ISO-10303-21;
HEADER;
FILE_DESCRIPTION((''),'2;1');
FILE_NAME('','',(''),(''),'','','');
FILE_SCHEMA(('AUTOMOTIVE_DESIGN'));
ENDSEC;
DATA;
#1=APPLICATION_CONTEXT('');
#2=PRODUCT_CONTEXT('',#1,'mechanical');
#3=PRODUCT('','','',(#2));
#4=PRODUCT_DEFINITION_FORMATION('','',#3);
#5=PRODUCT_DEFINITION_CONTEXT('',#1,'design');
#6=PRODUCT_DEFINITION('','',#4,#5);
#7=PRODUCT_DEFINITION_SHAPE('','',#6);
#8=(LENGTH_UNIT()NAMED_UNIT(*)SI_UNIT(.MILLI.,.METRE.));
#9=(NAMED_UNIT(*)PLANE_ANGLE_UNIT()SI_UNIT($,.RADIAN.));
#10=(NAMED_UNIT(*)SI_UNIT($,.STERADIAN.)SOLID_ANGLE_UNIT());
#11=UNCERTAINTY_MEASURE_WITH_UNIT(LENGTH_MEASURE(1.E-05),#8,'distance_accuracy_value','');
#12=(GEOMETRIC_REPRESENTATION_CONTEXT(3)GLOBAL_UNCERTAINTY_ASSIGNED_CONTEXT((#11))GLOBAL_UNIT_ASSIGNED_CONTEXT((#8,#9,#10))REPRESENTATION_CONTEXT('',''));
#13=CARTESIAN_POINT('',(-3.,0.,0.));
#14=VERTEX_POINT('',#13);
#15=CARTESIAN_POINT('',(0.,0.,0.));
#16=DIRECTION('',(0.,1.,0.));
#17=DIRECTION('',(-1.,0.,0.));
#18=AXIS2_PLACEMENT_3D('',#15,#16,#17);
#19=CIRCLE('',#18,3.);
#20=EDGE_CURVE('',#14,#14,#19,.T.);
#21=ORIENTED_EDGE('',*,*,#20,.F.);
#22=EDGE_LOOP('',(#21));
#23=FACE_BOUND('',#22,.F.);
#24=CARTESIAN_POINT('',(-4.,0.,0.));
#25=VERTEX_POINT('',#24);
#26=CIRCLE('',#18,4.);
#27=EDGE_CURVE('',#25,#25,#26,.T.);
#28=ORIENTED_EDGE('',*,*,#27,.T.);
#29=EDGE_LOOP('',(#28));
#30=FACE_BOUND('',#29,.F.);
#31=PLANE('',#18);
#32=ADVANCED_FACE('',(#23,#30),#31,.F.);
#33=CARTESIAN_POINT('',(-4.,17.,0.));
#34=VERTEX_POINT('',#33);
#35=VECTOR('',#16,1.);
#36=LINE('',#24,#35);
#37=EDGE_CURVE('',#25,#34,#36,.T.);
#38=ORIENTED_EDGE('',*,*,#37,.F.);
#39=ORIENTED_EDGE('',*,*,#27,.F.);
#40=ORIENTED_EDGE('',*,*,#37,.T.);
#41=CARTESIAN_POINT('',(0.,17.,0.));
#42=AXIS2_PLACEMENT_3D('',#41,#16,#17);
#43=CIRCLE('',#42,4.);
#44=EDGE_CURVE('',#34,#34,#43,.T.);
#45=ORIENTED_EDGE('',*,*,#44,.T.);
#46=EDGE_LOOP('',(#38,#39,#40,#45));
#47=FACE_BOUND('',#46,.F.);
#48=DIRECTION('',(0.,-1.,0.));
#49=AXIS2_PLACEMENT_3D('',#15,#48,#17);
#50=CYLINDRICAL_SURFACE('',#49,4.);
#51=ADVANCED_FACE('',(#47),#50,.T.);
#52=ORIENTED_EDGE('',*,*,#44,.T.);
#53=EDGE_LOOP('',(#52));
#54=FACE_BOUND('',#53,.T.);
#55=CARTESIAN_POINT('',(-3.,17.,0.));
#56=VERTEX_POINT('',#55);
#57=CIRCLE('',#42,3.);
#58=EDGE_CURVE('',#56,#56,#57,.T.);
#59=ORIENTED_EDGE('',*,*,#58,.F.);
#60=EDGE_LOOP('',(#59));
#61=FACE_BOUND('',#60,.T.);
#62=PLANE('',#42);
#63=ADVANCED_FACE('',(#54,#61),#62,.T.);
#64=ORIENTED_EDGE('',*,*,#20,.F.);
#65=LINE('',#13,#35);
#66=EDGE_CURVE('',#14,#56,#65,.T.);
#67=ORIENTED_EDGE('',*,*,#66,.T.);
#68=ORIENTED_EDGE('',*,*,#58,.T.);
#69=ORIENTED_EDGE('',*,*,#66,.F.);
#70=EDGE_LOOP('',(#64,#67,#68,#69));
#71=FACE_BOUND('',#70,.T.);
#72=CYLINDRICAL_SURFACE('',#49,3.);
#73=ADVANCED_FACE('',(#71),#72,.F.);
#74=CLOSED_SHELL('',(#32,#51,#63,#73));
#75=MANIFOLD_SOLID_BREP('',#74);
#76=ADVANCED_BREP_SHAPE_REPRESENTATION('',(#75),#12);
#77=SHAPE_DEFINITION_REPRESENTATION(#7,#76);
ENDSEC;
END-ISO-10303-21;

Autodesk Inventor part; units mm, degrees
ref_plane "YZ Plane" through (0, 0, 0) normal (1, 0, 0) x (0, 1, 0)
ref_plane "XZ Plane" through (0, 0, 0) normal (0, 1, 0) x (-1, 0, 0)
ref_plane "XY Plane" through (0, 0, 0) normal (0, 0, 1) x (1, 0, 0)
sketch "スケッチ1" plane through (0, 0, 0) normal (0, 1, 0) x (-1, 0, 0)
  circle A0 centre (0, 0) radius 4
  circle A1 centre (0, 0) radius 3
  dimension "d0" = 8
  dimension "d1" = 6
extrude "押し出し1" add sketch "スケッチ1" along normal blind 17
properties part number "al_shaft" material "アルミニウム 6061-AHC"
